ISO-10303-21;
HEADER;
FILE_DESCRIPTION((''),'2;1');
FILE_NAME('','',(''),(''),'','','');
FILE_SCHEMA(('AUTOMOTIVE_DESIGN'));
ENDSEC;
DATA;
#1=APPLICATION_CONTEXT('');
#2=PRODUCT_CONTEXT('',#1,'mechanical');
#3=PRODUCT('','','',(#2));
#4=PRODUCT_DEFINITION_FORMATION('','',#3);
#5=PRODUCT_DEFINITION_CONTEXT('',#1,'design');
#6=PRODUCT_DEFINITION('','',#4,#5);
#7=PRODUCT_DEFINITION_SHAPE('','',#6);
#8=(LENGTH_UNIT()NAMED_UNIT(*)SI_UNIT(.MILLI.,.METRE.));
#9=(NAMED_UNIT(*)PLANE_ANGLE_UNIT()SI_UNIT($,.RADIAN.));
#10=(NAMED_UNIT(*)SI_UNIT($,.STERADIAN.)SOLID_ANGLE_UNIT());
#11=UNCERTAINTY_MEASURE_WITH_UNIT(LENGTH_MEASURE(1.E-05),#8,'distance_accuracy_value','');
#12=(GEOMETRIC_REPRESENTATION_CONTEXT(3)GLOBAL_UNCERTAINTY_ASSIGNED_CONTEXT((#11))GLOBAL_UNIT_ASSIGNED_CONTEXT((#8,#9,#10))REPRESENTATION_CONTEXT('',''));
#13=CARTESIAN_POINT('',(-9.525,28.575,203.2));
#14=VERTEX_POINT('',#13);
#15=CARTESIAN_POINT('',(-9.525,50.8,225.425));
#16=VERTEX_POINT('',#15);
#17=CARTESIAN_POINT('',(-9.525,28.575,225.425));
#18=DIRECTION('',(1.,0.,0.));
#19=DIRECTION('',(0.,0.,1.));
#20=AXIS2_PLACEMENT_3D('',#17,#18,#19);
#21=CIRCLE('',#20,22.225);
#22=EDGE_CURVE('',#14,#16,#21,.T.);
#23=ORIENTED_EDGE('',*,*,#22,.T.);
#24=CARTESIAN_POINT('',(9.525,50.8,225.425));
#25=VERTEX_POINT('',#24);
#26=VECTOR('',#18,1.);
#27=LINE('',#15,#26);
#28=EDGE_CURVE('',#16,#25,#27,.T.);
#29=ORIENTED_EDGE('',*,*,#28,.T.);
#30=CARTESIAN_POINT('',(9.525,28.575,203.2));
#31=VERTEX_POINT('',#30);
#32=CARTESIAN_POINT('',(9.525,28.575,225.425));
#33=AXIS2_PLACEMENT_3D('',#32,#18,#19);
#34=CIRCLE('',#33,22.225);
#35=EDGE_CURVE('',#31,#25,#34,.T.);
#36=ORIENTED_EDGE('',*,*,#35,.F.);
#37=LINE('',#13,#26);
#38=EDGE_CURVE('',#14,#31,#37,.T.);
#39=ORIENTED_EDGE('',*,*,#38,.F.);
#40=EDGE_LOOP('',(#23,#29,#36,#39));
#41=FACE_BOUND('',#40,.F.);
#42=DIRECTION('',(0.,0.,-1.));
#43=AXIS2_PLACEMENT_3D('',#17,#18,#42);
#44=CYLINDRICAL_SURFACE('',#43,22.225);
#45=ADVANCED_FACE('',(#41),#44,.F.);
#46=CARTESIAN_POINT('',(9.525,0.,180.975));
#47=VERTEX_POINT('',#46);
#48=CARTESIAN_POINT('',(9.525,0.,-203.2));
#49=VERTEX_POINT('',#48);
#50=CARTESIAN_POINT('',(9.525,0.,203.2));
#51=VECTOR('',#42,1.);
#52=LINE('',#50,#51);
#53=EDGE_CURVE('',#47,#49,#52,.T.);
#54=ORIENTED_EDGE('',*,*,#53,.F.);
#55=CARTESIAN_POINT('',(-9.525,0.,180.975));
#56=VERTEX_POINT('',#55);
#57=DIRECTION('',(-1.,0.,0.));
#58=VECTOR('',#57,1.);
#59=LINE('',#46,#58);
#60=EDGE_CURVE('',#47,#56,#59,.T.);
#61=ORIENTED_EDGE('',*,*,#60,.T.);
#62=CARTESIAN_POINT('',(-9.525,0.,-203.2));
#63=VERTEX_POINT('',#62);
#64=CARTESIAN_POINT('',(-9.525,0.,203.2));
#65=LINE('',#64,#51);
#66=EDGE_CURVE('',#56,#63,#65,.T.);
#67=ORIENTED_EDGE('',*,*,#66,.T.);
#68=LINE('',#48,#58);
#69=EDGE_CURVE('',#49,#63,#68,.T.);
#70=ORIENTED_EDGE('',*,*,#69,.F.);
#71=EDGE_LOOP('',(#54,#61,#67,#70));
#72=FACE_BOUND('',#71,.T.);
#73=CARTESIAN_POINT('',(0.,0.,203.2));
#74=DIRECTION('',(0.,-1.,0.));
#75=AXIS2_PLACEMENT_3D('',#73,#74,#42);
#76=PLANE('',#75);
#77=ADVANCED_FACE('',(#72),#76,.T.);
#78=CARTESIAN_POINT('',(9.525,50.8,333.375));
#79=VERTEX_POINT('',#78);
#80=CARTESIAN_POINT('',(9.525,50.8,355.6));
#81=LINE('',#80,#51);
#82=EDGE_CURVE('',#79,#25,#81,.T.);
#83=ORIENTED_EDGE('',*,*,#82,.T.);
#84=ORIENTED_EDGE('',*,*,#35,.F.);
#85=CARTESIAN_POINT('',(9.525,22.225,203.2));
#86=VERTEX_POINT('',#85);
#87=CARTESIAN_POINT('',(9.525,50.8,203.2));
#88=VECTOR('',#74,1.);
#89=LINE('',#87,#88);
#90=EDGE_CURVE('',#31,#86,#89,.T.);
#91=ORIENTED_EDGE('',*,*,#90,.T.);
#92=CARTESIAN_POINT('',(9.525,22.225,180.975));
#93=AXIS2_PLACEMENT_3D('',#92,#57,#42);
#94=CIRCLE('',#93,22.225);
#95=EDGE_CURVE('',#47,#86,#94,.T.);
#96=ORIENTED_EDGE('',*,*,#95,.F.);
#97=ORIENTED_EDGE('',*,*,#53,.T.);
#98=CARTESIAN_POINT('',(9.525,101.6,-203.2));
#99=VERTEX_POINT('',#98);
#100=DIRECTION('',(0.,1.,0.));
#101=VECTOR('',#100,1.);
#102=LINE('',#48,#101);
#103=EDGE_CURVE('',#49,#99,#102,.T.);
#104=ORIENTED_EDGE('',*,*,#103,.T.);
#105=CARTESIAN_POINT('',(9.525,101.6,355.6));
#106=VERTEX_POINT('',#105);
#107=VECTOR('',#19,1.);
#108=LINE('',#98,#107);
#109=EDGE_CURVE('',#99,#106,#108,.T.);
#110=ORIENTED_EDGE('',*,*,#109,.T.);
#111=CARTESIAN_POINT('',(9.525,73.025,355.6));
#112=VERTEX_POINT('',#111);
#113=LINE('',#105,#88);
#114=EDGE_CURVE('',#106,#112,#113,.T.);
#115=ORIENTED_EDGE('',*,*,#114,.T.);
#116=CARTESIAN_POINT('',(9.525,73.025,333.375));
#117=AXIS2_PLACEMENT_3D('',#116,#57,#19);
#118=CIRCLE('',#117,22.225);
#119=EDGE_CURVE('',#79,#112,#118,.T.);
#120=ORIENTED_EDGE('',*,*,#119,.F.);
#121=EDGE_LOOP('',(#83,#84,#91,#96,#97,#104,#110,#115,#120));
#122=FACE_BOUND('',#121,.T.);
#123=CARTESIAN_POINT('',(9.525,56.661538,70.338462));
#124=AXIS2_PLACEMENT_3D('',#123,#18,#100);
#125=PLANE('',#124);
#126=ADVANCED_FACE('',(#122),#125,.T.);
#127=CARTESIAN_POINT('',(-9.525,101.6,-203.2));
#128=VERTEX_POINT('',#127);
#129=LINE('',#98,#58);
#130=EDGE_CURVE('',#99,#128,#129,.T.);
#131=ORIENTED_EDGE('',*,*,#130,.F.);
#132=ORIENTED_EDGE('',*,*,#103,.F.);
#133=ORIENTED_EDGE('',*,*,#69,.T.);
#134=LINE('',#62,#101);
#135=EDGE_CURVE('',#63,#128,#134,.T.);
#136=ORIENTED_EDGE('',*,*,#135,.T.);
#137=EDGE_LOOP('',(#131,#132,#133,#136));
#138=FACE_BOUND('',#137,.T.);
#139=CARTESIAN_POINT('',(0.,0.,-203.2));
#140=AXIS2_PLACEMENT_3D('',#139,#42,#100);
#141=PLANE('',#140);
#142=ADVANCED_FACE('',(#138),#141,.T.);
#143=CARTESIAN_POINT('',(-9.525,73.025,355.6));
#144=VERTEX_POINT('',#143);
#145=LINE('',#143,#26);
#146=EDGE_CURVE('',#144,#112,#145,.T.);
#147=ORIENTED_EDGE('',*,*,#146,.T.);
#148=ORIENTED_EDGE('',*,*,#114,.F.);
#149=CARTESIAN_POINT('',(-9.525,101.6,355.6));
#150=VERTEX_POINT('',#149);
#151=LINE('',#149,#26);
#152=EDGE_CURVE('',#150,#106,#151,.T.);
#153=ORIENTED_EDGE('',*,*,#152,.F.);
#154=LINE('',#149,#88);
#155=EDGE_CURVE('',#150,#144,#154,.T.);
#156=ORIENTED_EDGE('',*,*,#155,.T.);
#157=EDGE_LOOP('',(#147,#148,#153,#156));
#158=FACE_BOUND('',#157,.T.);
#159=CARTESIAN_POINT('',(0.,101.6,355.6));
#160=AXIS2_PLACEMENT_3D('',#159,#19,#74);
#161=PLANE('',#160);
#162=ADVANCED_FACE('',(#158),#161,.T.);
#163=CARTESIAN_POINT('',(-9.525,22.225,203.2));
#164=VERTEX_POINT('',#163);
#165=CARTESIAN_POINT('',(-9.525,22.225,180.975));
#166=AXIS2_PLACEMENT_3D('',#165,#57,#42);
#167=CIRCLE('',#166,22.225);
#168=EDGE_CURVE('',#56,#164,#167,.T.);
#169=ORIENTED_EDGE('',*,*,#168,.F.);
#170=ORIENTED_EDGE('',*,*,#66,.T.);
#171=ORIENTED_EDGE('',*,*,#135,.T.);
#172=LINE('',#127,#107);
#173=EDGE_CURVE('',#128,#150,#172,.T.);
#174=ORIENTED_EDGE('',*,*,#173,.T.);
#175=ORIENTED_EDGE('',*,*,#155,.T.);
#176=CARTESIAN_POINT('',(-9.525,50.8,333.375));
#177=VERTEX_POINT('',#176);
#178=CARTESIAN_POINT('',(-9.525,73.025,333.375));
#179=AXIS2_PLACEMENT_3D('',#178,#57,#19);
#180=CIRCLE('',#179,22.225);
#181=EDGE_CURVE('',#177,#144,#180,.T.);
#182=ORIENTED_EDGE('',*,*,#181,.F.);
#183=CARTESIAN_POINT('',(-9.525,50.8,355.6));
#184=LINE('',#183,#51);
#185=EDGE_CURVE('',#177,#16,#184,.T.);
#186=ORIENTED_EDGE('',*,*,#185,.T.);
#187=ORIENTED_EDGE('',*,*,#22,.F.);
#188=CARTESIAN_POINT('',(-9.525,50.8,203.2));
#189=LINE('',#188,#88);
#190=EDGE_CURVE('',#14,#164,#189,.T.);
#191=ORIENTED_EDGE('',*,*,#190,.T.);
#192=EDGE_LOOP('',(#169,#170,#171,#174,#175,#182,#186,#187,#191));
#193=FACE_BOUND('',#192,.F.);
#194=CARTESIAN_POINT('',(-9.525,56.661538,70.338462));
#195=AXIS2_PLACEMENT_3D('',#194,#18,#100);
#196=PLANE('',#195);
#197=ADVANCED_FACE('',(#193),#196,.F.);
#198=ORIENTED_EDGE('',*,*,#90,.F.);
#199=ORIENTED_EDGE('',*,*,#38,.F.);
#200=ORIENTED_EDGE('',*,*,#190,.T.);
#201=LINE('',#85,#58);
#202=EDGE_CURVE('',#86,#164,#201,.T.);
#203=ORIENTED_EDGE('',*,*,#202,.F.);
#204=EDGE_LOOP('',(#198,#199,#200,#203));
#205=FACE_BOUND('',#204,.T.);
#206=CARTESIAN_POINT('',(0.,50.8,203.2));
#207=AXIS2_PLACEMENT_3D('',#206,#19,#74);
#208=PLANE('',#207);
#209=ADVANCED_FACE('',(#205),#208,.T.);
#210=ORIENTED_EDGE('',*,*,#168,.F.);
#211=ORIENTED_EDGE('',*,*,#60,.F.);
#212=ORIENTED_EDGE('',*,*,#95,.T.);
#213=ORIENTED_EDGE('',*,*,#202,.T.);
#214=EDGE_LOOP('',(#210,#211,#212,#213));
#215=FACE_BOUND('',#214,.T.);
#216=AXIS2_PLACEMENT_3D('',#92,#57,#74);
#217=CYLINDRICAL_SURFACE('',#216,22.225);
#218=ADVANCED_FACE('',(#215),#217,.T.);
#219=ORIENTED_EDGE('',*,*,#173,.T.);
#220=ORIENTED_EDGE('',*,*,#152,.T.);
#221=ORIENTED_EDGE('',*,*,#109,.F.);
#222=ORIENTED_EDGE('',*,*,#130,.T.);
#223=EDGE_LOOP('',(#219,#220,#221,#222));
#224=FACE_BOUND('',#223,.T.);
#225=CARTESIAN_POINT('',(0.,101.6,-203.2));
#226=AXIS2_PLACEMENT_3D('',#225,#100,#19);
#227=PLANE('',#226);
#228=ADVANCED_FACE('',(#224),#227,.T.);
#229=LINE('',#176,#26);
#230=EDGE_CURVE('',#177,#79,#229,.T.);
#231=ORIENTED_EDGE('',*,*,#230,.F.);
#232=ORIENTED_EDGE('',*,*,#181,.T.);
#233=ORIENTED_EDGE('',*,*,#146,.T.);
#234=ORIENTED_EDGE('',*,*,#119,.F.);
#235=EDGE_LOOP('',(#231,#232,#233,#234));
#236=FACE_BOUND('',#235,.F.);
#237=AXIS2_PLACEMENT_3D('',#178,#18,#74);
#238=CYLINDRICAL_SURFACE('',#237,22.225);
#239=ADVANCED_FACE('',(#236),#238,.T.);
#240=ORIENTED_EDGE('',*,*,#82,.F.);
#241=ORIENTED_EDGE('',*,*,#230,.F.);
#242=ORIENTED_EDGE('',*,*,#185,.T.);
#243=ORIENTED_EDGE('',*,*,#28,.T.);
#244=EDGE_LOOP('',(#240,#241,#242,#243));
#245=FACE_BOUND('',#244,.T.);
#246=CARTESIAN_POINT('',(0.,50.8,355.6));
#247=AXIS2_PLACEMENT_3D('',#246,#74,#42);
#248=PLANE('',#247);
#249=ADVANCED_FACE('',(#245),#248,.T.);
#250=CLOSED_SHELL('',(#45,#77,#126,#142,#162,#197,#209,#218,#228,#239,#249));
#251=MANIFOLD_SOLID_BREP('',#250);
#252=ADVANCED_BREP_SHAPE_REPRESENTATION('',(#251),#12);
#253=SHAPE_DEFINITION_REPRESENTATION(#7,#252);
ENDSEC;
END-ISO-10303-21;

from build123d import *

# Parameters (mm, degrees)
F1_DEPTH = 9.525
F2_R     = 22.225


with BuildPart() as f1:
    # F0 (on Right) → F1 (new body, symmetric)
    with BuildSketch(Plane.YZ):
        Polygon((101.6, -203.2), (101.6, 355.6), (50.8, 355.6), (50.8, 203.2), (0, 203.2), (0, -203.2), align=None)
    extrude(amount=F1_DEPTH, both=True)

    # F2
    f2_edges = [f1.edges().sort_by_distance(p)[0] for p in [
        (0, 50.8, 355.6),
        (0, 50.8, 203.2),
        (0, 0, 203.2),
    ]]
    fillet(f2_edges, radius=F2_R)


solid = f1.part
